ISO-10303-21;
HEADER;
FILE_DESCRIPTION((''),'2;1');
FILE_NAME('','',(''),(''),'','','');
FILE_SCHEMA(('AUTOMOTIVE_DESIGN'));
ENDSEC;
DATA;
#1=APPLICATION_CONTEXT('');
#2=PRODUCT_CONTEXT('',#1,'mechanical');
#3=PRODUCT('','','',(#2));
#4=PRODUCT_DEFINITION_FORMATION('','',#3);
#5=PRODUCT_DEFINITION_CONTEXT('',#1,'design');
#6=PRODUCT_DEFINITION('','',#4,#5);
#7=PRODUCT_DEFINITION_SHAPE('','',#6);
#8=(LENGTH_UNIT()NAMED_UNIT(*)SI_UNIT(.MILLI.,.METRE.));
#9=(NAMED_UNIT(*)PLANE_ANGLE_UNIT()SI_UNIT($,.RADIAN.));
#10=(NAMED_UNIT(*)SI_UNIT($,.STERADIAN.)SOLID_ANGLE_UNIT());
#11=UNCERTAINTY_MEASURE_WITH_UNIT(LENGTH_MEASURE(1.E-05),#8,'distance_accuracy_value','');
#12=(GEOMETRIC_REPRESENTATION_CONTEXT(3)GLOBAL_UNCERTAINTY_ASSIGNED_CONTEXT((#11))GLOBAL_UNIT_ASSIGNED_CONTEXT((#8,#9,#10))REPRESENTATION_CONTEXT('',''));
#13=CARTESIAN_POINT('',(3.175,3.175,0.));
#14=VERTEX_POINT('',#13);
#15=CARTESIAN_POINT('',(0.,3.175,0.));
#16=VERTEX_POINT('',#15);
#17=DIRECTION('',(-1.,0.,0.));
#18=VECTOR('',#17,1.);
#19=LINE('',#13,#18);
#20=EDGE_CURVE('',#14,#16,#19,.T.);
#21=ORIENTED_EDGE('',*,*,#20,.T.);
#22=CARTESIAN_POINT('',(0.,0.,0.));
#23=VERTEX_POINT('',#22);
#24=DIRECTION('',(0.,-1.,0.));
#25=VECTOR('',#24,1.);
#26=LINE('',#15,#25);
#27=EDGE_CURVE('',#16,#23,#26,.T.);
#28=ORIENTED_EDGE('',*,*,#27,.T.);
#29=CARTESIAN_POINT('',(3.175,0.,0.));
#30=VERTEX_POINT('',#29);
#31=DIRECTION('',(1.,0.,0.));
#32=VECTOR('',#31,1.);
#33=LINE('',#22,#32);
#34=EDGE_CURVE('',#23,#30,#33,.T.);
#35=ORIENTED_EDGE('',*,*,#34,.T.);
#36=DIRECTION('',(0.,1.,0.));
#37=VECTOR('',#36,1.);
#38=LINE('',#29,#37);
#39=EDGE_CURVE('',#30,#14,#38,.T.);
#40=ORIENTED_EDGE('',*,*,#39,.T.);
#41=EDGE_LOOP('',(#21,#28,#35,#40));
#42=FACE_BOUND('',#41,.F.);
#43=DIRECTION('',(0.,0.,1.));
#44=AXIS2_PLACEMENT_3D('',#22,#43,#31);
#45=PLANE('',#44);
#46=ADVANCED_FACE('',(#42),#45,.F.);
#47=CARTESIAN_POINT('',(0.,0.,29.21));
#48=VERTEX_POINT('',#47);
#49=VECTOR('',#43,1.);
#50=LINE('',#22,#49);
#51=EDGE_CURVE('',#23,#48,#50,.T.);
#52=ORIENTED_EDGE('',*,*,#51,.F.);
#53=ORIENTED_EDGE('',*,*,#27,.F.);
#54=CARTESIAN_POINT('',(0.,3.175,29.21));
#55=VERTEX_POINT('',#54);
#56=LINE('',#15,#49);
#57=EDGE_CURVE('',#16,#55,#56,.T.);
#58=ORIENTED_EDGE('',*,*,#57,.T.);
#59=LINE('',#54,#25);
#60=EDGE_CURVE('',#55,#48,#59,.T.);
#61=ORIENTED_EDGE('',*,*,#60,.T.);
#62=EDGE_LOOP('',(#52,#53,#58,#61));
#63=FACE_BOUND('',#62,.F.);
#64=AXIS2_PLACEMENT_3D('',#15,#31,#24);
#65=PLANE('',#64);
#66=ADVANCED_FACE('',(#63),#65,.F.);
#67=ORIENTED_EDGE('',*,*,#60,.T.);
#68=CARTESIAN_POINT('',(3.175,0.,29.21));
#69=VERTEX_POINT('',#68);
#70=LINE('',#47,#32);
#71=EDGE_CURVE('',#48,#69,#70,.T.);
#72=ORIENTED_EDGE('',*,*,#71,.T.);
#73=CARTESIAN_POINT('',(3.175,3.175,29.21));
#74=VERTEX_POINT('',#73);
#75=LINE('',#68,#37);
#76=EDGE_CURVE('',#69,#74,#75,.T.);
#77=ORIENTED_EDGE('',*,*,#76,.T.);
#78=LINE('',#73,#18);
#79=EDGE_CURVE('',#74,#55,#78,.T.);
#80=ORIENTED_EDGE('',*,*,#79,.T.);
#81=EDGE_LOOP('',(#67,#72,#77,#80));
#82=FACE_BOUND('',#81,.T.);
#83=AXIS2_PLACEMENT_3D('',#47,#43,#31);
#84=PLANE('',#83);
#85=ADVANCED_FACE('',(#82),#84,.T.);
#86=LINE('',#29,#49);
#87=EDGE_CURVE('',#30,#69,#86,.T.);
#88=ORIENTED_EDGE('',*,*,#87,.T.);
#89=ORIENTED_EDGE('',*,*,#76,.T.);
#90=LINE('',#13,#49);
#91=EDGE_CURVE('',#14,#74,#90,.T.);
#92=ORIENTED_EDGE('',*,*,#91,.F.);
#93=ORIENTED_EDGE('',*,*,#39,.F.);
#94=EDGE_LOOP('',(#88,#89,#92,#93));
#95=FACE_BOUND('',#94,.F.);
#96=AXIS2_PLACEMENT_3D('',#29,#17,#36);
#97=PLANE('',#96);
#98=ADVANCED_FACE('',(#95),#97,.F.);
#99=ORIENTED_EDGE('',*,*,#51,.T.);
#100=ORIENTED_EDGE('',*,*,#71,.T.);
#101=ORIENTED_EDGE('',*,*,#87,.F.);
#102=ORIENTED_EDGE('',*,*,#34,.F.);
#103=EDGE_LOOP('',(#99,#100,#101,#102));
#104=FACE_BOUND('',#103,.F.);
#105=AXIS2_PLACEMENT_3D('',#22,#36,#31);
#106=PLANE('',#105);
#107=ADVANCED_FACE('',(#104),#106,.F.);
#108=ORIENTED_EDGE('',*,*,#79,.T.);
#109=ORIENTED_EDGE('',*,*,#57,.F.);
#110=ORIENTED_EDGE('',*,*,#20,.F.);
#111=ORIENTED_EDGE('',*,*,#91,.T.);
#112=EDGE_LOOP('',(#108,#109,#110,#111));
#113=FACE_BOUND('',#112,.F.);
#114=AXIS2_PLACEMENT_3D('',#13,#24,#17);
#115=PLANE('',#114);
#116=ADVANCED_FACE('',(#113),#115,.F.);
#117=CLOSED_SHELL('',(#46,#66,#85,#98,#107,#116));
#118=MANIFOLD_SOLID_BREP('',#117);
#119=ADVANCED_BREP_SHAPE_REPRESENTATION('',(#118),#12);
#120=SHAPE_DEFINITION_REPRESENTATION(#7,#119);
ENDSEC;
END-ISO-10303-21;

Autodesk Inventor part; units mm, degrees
ref_plane "YZ Plane" through (0, 0, 0) normal (1, 0, 0) x (0, 1, 0)
ref_plane "XZ Plane" through (0, 0, 0) normal (0, 1, 0) x (-1, 0, 0)
ref_plane "XY Plane" through (0, 0, 0) normal (0, 0, 1) x (1, 0, 0)
sketch "Sketch1" plane through (0, 0, 0) normal (0, 0, 1) x (1, 0, 0)
  line L0 (0, 0) -> (3.175, 0)
  line L1 (3.175, 0) -> (3.175, 3.175)
  line L2 (3.175, 3.175) -> (0, 3.175)
  line L3 (0, 3.175) -> (0, 0)
  dimension "d0" = 3.175
  dimension "d1" = 3.175
extrude "Extrusion1" add sketch "Sketch1" along normal blind 29.21
equation "\"d1\" = d0"
properties part number "Axle part for intake"
